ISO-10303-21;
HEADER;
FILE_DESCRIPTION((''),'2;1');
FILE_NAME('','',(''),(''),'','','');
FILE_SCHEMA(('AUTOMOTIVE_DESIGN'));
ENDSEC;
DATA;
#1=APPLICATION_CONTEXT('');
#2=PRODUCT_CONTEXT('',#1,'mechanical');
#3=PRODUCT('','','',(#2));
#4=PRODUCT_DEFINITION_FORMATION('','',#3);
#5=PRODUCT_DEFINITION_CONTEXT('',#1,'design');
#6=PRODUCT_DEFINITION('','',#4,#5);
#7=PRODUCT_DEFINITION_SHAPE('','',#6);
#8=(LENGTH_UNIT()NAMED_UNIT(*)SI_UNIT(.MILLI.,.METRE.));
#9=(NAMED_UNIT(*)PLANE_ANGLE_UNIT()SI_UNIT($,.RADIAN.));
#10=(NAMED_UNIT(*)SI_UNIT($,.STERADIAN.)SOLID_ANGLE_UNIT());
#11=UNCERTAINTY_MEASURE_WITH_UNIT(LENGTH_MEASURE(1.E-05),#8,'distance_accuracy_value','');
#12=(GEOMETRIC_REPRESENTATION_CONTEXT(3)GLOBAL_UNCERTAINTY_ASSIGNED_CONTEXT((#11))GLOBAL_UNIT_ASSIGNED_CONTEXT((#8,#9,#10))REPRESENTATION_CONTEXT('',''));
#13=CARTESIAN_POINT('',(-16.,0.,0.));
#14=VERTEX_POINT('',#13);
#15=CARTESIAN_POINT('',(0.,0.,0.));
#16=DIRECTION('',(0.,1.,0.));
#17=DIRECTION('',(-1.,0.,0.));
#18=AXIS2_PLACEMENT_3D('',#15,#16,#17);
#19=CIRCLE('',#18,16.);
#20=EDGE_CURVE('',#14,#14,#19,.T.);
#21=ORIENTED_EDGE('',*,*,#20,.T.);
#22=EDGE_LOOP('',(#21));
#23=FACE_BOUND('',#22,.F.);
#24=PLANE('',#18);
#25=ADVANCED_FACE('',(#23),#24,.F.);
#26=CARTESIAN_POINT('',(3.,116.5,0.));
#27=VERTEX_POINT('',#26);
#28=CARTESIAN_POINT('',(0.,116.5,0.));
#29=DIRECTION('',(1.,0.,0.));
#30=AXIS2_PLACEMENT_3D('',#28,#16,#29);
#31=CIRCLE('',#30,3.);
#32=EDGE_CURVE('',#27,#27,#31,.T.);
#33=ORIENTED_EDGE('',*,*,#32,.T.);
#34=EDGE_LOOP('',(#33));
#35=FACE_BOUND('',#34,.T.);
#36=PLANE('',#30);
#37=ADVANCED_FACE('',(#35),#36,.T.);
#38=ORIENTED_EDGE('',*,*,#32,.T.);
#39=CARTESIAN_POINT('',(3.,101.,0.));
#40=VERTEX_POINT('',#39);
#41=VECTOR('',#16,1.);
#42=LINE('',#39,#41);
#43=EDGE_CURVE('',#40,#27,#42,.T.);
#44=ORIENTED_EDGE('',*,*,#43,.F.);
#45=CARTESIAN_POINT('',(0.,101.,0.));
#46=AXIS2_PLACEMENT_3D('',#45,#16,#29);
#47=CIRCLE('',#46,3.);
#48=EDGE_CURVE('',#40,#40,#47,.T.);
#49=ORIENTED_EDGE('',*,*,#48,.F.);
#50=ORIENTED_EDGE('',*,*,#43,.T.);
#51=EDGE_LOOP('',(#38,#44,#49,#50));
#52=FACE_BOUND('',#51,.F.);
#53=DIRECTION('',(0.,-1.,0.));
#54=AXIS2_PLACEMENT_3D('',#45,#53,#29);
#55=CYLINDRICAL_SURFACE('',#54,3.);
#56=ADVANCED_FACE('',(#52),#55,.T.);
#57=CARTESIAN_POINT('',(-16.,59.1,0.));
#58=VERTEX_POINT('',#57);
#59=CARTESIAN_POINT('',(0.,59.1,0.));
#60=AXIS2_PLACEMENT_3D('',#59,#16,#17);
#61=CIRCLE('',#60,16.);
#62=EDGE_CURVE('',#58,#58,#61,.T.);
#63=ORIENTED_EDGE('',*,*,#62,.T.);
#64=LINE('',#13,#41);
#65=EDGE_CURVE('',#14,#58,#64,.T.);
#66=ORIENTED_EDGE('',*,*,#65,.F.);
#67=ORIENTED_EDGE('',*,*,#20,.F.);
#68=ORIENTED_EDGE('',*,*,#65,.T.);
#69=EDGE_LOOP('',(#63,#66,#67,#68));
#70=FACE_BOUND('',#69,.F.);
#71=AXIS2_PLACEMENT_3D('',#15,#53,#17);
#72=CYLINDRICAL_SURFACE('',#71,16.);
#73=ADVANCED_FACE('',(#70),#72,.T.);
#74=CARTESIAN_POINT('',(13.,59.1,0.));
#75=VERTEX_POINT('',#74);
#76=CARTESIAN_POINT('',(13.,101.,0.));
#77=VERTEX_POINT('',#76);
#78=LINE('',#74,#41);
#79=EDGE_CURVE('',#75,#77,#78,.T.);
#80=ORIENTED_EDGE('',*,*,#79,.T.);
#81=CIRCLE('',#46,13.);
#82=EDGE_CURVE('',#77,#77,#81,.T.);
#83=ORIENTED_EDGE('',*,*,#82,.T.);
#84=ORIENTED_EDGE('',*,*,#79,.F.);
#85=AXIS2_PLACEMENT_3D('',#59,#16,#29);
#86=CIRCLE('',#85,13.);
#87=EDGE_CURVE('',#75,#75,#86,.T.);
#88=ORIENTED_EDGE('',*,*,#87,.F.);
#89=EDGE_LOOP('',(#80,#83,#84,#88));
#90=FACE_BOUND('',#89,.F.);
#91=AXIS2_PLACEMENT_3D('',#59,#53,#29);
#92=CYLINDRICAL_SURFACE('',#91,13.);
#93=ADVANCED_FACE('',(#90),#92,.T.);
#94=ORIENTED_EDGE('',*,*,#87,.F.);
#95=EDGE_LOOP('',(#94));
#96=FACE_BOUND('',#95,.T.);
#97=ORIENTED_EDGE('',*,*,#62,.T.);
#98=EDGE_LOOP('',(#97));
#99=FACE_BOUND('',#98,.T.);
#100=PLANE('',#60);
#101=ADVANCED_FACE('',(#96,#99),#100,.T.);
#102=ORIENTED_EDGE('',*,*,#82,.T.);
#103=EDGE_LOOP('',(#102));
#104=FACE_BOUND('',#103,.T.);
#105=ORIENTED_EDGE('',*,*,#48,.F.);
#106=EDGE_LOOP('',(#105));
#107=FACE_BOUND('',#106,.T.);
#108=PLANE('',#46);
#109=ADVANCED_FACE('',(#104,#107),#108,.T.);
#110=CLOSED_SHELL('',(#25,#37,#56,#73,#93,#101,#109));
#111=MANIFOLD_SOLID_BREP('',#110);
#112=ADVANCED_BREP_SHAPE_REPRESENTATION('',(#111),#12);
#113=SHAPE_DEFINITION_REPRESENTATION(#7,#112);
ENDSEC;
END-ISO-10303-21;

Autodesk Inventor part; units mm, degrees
ref_plane "YZ Plane" through (0, 0, 0) normal (1, 0, 0) x (0, 1, 0)
ref_plane "XZ Plane" through (0, 0, 0) normal (0, 1, 0) x (-1, 0, 0)
ref_plane "XY Plane" through (0, 0, 0) normal (0, 0, 1) x (1, 0, 0)
sketch "Sketch1" plane through (0, 0, 0) normal (0, 1, 0) x (-1, 0, 0)
  circle A0 centre (0, 0) radius 16
  dimension "d0" = 32
extrude "Extrusion1" add sketch "Sketch1" along normal blind 59.1
sketch "Sketch2" plane through (0, 59.1, 0) normal (0, 1, 0) x (1, 0, 0)
  circle A0 centre (0, 0) radius 13
  dimension "d3" = 26
extrude "Extrusion2" add sketch "Sketch2" along normal blind 41.9
sketch "Sketch3" plane through (0, 101, 0) normal (0, 1, 0) x (1, 0, 0)
  circle A0 centre (0, 0) radius 3
  dimension "d6" = 6
extrude "Extrusion3" add sketch "Sketch3" along normal blind 15.5
properties part number "Planetary Motor"
